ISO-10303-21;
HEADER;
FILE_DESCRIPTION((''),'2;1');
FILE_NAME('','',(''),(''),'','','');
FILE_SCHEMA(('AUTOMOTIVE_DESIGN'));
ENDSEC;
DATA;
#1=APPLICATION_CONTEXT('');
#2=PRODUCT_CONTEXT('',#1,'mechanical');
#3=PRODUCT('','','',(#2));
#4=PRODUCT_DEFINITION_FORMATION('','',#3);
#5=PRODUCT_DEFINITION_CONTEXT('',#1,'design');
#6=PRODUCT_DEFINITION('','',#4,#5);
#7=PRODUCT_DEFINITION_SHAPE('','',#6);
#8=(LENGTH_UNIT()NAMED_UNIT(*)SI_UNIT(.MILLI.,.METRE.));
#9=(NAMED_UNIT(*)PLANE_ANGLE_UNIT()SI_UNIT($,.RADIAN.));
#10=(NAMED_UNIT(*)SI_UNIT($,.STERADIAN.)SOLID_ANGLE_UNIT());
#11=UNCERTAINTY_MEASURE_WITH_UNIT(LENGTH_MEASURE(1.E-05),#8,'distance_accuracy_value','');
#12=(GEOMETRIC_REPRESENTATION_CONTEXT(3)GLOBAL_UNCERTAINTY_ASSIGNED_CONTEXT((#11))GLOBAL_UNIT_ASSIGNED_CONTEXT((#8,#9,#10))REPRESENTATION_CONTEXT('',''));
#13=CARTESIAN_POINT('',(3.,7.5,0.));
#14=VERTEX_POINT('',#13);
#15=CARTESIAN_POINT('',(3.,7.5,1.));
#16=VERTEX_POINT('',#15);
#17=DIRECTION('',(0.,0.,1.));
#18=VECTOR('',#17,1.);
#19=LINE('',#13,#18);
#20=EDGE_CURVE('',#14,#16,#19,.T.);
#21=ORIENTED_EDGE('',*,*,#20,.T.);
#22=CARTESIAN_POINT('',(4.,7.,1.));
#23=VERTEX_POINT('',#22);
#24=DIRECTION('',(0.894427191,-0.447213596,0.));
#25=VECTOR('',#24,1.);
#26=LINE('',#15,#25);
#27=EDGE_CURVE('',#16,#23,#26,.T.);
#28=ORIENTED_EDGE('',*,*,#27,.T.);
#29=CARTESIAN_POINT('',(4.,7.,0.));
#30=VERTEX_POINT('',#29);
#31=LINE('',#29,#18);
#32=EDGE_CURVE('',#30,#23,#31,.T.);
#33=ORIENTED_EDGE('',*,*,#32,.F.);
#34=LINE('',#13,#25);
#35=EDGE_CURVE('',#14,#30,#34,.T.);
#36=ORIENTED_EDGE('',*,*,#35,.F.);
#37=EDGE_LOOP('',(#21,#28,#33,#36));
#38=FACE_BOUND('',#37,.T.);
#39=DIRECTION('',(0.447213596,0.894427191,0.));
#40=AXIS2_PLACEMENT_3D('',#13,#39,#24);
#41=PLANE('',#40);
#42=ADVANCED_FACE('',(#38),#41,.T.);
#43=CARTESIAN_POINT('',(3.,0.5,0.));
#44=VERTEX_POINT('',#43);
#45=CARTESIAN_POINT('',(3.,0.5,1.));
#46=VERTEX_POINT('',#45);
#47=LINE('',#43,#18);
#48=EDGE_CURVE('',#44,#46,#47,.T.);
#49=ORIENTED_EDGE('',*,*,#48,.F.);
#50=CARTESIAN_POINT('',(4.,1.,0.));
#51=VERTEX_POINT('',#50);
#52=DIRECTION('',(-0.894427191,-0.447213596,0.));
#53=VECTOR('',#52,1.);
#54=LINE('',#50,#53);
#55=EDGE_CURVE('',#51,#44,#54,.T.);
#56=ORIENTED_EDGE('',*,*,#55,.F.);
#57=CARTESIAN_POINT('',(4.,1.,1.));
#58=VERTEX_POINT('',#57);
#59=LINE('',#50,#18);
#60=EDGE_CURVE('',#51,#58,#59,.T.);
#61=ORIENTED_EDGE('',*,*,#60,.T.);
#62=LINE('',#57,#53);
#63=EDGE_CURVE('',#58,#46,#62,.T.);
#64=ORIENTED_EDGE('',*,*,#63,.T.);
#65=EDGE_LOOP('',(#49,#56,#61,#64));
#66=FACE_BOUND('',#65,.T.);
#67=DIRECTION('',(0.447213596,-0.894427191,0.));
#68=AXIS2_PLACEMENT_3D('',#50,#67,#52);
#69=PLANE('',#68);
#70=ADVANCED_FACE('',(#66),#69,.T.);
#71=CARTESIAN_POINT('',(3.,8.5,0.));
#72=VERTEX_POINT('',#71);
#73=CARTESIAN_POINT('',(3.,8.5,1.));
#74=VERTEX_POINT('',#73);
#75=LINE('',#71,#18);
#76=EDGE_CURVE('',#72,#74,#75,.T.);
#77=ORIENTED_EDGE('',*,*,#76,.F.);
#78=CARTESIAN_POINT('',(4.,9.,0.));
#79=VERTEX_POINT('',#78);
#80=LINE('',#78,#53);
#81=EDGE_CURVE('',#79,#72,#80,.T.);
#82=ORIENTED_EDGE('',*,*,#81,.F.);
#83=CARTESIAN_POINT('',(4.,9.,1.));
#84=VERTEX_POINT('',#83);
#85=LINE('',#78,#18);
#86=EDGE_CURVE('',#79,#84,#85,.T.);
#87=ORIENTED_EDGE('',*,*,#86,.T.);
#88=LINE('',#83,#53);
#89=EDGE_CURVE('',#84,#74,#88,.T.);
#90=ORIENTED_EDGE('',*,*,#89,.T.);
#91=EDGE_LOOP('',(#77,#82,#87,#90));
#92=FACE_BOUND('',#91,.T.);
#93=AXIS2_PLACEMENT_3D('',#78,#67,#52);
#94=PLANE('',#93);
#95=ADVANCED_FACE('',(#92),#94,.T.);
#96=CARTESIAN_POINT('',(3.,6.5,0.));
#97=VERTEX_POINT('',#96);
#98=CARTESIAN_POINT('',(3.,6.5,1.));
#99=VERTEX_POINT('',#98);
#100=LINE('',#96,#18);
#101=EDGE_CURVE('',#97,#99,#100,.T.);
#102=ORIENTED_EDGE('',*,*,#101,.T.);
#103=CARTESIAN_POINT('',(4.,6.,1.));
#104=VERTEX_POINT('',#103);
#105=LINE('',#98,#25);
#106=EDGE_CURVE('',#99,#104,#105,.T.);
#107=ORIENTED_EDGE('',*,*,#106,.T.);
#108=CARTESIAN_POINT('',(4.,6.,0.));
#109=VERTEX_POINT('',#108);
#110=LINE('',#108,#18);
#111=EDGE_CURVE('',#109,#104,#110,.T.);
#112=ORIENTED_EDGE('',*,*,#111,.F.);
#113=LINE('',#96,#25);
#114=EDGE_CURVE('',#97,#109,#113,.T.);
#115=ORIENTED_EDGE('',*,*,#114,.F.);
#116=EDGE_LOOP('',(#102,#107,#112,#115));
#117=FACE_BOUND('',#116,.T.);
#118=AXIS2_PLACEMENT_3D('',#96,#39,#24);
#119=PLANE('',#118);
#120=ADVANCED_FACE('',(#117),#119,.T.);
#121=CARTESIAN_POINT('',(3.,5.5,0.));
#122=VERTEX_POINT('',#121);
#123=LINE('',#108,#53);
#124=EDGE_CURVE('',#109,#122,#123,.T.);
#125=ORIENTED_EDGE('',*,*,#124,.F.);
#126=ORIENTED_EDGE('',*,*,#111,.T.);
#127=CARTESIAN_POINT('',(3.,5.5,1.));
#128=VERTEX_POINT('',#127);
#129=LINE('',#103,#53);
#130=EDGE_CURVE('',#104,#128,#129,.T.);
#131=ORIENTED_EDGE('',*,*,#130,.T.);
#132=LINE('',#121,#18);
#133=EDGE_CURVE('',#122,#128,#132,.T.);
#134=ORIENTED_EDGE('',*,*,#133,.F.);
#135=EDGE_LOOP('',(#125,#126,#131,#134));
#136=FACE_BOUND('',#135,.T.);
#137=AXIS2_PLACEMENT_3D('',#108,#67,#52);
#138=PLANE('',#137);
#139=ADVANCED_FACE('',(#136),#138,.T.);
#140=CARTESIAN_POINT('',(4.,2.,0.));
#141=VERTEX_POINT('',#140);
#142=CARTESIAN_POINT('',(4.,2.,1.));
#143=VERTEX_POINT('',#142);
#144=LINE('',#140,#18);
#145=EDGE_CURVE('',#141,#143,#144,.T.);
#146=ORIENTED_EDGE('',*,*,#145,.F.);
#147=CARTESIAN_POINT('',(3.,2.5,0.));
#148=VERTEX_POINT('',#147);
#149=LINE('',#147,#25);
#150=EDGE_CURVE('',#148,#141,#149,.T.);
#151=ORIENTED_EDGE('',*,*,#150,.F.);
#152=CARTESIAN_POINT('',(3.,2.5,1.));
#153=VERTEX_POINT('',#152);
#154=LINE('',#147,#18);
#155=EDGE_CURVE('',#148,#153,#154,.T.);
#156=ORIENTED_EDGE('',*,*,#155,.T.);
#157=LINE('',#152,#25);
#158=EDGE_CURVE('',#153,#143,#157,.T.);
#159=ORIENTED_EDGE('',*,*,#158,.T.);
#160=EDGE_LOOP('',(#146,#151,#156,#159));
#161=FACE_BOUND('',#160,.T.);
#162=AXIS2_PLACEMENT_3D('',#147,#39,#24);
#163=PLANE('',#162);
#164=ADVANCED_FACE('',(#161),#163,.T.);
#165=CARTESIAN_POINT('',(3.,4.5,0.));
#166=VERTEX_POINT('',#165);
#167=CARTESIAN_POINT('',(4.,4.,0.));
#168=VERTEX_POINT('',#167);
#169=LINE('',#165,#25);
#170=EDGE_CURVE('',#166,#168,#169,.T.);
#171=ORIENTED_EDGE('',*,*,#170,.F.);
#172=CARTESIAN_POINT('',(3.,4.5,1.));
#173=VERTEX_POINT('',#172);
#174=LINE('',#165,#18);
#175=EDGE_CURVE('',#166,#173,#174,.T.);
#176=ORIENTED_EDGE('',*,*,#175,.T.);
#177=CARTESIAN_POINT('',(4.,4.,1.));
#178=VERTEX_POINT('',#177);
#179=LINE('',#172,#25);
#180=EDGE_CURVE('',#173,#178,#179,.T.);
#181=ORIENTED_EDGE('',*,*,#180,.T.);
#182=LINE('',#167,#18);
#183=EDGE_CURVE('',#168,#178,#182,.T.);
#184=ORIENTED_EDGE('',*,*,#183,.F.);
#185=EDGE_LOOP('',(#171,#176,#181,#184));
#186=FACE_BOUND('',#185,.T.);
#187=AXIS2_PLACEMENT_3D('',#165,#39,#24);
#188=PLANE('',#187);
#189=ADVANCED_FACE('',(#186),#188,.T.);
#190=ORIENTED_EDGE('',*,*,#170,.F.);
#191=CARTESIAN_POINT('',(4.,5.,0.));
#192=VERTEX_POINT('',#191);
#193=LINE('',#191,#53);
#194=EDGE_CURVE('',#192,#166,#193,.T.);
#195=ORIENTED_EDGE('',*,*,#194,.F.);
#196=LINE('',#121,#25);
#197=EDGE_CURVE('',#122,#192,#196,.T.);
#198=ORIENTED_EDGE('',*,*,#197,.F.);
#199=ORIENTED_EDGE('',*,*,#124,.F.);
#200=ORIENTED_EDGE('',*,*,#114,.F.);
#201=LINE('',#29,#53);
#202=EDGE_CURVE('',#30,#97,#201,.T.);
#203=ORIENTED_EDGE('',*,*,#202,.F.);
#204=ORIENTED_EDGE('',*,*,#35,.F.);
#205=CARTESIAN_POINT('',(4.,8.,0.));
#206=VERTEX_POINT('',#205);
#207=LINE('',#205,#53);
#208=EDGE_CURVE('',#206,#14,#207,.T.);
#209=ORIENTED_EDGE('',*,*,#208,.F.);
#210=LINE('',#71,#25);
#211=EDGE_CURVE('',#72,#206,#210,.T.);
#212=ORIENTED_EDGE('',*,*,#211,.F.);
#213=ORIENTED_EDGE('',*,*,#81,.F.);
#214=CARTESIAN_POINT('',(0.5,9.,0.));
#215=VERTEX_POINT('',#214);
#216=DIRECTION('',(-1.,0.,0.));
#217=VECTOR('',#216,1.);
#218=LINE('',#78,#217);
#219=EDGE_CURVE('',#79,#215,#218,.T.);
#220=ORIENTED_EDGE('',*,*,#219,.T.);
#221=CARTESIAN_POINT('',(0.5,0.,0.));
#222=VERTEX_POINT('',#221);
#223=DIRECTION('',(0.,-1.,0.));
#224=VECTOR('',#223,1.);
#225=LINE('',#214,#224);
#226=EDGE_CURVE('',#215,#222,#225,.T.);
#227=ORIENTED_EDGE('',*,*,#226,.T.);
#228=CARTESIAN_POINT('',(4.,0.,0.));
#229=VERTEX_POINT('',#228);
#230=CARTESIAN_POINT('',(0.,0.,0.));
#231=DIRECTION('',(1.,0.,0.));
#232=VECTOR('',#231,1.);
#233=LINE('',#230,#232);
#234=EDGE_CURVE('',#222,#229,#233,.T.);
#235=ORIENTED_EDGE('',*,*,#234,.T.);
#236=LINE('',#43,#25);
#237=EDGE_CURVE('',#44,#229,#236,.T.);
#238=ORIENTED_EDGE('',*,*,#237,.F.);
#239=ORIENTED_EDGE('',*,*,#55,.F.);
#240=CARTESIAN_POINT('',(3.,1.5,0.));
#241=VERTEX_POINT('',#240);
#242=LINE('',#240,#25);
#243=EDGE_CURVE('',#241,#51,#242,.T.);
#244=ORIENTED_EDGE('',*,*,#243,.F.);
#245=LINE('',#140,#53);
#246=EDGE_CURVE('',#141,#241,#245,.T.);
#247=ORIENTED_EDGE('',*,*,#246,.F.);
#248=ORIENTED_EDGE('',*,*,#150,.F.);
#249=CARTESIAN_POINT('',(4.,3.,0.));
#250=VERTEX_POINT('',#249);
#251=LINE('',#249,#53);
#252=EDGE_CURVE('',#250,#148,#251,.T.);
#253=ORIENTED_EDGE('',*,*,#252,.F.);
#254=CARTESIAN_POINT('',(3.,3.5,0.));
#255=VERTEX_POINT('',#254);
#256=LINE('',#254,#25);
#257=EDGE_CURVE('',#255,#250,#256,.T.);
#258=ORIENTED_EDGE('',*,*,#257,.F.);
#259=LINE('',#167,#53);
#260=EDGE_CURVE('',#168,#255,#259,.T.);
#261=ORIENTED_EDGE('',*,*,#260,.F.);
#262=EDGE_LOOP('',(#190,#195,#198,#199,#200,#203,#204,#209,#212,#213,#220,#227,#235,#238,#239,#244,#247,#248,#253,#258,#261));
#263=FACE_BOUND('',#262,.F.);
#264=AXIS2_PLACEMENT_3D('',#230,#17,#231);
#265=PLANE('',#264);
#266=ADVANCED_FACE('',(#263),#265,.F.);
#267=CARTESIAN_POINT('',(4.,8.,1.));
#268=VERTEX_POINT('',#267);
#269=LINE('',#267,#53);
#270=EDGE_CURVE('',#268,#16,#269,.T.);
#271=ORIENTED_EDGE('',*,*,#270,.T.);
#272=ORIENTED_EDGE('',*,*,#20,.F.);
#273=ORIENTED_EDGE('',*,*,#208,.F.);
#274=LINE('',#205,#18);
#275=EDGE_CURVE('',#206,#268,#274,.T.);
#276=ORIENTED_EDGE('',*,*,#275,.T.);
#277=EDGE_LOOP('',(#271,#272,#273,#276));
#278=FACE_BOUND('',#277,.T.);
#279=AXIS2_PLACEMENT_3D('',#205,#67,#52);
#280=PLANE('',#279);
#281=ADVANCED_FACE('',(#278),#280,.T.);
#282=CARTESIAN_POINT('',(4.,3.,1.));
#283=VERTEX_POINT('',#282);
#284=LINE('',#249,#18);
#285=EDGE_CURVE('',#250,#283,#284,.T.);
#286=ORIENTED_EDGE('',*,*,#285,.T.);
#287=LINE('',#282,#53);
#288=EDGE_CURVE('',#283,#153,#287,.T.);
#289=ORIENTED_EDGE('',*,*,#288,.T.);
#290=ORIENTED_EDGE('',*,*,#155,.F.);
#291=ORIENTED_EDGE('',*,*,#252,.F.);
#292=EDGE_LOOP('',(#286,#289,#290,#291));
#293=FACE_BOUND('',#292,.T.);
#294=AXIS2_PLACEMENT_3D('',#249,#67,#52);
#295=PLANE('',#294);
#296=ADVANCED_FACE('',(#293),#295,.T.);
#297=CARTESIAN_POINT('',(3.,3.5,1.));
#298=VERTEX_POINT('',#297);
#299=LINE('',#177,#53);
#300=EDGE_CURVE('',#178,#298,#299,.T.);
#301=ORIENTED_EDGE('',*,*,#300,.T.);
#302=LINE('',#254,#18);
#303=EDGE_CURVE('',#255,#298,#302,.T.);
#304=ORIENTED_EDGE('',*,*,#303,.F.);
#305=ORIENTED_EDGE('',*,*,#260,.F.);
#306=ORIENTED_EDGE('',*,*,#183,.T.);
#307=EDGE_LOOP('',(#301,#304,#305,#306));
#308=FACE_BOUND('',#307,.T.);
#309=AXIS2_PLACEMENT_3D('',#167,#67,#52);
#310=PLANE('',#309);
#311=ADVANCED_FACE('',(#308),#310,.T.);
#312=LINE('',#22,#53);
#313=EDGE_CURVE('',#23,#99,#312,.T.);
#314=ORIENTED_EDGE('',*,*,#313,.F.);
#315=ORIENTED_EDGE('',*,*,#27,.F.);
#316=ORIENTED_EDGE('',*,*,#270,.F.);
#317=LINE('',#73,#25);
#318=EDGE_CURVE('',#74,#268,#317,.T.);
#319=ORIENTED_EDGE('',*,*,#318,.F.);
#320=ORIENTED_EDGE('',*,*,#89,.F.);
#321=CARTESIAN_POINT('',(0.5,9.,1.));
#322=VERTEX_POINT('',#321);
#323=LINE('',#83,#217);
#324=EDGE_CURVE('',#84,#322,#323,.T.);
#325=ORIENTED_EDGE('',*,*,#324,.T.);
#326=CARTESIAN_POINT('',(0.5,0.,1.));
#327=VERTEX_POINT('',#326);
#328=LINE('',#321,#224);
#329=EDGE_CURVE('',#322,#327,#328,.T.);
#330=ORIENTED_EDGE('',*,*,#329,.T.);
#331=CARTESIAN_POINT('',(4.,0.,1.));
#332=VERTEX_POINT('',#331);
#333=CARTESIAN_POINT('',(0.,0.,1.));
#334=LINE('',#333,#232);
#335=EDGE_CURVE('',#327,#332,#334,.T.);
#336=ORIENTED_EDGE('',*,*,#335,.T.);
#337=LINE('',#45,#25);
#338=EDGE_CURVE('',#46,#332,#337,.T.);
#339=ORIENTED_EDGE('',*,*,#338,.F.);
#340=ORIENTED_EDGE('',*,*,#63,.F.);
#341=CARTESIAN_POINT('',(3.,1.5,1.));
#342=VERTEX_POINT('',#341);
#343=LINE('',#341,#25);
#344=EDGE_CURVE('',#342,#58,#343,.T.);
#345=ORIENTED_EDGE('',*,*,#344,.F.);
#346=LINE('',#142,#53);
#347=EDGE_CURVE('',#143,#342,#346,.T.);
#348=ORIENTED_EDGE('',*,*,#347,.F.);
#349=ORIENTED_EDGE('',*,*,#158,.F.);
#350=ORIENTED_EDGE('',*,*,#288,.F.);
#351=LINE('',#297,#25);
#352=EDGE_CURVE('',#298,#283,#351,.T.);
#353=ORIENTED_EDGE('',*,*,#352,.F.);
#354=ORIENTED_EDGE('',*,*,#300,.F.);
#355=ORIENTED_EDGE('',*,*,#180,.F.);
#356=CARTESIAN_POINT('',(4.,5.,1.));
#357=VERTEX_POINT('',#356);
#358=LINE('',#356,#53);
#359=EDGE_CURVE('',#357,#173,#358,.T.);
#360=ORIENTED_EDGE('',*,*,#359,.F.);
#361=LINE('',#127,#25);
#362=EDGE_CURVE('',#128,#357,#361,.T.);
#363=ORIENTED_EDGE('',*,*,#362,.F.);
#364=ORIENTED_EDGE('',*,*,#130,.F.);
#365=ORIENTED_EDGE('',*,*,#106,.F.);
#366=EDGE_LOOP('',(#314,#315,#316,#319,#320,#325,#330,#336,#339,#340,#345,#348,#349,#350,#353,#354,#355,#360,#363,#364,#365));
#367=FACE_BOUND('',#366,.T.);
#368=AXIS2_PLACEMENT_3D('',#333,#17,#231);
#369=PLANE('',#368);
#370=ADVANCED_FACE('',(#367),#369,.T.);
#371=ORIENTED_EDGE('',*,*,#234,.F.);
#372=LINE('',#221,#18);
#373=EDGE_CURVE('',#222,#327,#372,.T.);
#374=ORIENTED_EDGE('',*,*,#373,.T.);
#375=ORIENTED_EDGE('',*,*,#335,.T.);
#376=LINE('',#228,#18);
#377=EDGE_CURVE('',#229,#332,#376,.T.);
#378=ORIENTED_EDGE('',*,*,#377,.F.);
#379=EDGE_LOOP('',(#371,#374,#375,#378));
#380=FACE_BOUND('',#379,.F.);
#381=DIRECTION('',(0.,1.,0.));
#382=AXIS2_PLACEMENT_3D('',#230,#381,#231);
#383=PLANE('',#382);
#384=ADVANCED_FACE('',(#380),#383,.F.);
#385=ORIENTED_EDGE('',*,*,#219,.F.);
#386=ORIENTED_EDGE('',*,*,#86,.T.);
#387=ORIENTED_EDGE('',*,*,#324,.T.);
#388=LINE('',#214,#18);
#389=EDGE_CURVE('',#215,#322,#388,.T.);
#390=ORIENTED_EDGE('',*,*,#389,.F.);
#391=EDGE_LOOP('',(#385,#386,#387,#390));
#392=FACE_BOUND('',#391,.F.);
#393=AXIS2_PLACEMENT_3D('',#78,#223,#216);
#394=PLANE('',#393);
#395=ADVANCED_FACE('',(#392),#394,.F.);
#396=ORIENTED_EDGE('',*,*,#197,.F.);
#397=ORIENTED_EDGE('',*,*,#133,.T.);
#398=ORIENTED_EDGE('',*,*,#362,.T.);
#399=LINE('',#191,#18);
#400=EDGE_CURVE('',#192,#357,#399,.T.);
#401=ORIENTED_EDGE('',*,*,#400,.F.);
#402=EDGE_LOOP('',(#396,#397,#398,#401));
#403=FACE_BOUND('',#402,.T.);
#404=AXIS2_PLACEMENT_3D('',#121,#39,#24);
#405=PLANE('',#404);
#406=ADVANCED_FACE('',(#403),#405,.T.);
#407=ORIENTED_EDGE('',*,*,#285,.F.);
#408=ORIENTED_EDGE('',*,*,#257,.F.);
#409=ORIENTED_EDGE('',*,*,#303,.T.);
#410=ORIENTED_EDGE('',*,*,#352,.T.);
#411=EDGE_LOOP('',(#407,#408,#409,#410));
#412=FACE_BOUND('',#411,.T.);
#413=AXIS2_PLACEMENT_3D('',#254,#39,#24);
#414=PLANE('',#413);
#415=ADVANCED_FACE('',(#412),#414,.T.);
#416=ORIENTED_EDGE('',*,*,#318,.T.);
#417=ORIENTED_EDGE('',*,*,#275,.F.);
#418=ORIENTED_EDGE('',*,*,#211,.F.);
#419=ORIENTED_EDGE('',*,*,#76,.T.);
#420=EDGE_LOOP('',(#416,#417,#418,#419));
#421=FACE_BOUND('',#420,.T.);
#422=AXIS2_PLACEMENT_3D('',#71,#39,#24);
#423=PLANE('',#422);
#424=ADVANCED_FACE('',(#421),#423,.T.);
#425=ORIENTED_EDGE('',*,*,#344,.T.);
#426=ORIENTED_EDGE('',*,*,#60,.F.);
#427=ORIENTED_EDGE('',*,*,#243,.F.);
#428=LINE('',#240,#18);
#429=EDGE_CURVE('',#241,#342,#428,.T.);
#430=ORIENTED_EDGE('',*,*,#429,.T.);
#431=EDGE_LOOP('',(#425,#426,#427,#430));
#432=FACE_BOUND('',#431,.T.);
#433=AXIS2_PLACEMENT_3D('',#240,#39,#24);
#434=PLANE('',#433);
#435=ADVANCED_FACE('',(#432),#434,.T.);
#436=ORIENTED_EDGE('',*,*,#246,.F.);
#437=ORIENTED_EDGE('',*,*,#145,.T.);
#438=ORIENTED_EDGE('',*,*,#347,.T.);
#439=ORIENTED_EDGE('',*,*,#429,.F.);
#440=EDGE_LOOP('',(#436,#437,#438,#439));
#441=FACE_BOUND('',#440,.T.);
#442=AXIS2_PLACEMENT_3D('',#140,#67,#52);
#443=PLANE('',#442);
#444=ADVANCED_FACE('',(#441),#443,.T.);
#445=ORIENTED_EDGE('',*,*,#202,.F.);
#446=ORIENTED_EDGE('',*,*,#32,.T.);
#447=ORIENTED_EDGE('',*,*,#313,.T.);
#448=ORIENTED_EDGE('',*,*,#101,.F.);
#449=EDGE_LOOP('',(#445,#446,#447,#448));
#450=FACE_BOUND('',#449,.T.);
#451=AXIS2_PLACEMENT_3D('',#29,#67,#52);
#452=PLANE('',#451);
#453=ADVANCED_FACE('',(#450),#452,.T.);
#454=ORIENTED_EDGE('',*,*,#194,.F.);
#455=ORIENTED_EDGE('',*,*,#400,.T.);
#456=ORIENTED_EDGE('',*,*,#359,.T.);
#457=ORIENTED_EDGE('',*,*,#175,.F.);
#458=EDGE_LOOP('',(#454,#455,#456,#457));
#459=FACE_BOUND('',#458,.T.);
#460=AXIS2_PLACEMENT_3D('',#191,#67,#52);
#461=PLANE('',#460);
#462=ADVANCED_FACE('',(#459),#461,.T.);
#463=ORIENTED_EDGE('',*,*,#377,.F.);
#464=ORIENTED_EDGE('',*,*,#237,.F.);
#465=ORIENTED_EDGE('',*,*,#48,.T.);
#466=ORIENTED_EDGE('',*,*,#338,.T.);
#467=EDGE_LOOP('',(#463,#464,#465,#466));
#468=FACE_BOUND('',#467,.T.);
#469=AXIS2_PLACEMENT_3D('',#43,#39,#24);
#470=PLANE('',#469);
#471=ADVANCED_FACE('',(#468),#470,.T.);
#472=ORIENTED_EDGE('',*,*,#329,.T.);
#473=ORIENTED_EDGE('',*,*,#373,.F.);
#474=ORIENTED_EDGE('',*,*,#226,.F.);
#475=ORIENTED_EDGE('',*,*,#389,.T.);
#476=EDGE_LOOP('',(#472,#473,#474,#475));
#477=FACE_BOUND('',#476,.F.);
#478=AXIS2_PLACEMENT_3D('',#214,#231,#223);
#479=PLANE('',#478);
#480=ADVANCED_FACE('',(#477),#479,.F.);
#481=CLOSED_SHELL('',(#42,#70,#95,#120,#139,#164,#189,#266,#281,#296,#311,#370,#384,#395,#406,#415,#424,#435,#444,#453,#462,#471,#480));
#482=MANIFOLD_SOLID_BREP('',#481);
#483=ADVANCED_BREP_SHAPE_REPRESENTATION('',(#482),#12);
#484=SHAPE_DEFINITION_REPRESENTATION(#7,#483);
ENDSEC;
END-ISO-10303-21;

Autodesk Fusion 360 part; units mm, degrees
sketch "Sketch1" plane through (0, 0, 0) normal (0, 0, 1) x (1, 0, 0)
  line L0 (0, 0) -> (4, 0)
  line L1 (4, 0) -> (4, 9)
  line L2 (4, 9) -> (0, 9)
  line L3 (0, 9) -> (0, 0)
  line L4 (4, 9) -> (3, 8.5)
  line L5 (3, 8.5) -> (4, 8)
  line L6 (4, 8) -> (3, 7.5)
  line L7 (3, 7.5) -> (4, 7)
  line L8 (4, 7) -> (3, 6.5)
  line L9 (3, 6.5) -> (4, 6)
  line L10 (4, 6) -> (3, 5.5)
  line L11 (3, 5.5) -> (4, 5)
  line L12 (4, 5) -> (3, 4.5)
  line L13 (3, 4.5) -> (4, 4)
  line L14 (4, 4) -> (3, 3.5)
  line L15 (3, 3.5) -> (4, 3)
  line L16 (4, 3) -> (3, 2.5)
  line L17 (3, 2.5) -> (4, 2)
  line L18 (4, 2) -> (3, 1.5)
  line L19 (3, 1.5) -> (4, 1)
  line L20 (4, 1) -> (3, 0.5)
  line L21 (3, 0.5) -> (4, 0)
  dimension "d1" = 4
  dimension "d2" = 9
extrude "Extrude1" add sketch "Sketch1" along normal blind 1 contours L0 L2 L3 L4 L5 L6 L7 L8 L9 L10 L11 L12 L13 L14 L15 L16 L17 L18 L19 L20 L21
extrude "Extrude2" cut 1 faces at (0, 6, 0.3333) along direction (1, 0, 0) blind 0.5
